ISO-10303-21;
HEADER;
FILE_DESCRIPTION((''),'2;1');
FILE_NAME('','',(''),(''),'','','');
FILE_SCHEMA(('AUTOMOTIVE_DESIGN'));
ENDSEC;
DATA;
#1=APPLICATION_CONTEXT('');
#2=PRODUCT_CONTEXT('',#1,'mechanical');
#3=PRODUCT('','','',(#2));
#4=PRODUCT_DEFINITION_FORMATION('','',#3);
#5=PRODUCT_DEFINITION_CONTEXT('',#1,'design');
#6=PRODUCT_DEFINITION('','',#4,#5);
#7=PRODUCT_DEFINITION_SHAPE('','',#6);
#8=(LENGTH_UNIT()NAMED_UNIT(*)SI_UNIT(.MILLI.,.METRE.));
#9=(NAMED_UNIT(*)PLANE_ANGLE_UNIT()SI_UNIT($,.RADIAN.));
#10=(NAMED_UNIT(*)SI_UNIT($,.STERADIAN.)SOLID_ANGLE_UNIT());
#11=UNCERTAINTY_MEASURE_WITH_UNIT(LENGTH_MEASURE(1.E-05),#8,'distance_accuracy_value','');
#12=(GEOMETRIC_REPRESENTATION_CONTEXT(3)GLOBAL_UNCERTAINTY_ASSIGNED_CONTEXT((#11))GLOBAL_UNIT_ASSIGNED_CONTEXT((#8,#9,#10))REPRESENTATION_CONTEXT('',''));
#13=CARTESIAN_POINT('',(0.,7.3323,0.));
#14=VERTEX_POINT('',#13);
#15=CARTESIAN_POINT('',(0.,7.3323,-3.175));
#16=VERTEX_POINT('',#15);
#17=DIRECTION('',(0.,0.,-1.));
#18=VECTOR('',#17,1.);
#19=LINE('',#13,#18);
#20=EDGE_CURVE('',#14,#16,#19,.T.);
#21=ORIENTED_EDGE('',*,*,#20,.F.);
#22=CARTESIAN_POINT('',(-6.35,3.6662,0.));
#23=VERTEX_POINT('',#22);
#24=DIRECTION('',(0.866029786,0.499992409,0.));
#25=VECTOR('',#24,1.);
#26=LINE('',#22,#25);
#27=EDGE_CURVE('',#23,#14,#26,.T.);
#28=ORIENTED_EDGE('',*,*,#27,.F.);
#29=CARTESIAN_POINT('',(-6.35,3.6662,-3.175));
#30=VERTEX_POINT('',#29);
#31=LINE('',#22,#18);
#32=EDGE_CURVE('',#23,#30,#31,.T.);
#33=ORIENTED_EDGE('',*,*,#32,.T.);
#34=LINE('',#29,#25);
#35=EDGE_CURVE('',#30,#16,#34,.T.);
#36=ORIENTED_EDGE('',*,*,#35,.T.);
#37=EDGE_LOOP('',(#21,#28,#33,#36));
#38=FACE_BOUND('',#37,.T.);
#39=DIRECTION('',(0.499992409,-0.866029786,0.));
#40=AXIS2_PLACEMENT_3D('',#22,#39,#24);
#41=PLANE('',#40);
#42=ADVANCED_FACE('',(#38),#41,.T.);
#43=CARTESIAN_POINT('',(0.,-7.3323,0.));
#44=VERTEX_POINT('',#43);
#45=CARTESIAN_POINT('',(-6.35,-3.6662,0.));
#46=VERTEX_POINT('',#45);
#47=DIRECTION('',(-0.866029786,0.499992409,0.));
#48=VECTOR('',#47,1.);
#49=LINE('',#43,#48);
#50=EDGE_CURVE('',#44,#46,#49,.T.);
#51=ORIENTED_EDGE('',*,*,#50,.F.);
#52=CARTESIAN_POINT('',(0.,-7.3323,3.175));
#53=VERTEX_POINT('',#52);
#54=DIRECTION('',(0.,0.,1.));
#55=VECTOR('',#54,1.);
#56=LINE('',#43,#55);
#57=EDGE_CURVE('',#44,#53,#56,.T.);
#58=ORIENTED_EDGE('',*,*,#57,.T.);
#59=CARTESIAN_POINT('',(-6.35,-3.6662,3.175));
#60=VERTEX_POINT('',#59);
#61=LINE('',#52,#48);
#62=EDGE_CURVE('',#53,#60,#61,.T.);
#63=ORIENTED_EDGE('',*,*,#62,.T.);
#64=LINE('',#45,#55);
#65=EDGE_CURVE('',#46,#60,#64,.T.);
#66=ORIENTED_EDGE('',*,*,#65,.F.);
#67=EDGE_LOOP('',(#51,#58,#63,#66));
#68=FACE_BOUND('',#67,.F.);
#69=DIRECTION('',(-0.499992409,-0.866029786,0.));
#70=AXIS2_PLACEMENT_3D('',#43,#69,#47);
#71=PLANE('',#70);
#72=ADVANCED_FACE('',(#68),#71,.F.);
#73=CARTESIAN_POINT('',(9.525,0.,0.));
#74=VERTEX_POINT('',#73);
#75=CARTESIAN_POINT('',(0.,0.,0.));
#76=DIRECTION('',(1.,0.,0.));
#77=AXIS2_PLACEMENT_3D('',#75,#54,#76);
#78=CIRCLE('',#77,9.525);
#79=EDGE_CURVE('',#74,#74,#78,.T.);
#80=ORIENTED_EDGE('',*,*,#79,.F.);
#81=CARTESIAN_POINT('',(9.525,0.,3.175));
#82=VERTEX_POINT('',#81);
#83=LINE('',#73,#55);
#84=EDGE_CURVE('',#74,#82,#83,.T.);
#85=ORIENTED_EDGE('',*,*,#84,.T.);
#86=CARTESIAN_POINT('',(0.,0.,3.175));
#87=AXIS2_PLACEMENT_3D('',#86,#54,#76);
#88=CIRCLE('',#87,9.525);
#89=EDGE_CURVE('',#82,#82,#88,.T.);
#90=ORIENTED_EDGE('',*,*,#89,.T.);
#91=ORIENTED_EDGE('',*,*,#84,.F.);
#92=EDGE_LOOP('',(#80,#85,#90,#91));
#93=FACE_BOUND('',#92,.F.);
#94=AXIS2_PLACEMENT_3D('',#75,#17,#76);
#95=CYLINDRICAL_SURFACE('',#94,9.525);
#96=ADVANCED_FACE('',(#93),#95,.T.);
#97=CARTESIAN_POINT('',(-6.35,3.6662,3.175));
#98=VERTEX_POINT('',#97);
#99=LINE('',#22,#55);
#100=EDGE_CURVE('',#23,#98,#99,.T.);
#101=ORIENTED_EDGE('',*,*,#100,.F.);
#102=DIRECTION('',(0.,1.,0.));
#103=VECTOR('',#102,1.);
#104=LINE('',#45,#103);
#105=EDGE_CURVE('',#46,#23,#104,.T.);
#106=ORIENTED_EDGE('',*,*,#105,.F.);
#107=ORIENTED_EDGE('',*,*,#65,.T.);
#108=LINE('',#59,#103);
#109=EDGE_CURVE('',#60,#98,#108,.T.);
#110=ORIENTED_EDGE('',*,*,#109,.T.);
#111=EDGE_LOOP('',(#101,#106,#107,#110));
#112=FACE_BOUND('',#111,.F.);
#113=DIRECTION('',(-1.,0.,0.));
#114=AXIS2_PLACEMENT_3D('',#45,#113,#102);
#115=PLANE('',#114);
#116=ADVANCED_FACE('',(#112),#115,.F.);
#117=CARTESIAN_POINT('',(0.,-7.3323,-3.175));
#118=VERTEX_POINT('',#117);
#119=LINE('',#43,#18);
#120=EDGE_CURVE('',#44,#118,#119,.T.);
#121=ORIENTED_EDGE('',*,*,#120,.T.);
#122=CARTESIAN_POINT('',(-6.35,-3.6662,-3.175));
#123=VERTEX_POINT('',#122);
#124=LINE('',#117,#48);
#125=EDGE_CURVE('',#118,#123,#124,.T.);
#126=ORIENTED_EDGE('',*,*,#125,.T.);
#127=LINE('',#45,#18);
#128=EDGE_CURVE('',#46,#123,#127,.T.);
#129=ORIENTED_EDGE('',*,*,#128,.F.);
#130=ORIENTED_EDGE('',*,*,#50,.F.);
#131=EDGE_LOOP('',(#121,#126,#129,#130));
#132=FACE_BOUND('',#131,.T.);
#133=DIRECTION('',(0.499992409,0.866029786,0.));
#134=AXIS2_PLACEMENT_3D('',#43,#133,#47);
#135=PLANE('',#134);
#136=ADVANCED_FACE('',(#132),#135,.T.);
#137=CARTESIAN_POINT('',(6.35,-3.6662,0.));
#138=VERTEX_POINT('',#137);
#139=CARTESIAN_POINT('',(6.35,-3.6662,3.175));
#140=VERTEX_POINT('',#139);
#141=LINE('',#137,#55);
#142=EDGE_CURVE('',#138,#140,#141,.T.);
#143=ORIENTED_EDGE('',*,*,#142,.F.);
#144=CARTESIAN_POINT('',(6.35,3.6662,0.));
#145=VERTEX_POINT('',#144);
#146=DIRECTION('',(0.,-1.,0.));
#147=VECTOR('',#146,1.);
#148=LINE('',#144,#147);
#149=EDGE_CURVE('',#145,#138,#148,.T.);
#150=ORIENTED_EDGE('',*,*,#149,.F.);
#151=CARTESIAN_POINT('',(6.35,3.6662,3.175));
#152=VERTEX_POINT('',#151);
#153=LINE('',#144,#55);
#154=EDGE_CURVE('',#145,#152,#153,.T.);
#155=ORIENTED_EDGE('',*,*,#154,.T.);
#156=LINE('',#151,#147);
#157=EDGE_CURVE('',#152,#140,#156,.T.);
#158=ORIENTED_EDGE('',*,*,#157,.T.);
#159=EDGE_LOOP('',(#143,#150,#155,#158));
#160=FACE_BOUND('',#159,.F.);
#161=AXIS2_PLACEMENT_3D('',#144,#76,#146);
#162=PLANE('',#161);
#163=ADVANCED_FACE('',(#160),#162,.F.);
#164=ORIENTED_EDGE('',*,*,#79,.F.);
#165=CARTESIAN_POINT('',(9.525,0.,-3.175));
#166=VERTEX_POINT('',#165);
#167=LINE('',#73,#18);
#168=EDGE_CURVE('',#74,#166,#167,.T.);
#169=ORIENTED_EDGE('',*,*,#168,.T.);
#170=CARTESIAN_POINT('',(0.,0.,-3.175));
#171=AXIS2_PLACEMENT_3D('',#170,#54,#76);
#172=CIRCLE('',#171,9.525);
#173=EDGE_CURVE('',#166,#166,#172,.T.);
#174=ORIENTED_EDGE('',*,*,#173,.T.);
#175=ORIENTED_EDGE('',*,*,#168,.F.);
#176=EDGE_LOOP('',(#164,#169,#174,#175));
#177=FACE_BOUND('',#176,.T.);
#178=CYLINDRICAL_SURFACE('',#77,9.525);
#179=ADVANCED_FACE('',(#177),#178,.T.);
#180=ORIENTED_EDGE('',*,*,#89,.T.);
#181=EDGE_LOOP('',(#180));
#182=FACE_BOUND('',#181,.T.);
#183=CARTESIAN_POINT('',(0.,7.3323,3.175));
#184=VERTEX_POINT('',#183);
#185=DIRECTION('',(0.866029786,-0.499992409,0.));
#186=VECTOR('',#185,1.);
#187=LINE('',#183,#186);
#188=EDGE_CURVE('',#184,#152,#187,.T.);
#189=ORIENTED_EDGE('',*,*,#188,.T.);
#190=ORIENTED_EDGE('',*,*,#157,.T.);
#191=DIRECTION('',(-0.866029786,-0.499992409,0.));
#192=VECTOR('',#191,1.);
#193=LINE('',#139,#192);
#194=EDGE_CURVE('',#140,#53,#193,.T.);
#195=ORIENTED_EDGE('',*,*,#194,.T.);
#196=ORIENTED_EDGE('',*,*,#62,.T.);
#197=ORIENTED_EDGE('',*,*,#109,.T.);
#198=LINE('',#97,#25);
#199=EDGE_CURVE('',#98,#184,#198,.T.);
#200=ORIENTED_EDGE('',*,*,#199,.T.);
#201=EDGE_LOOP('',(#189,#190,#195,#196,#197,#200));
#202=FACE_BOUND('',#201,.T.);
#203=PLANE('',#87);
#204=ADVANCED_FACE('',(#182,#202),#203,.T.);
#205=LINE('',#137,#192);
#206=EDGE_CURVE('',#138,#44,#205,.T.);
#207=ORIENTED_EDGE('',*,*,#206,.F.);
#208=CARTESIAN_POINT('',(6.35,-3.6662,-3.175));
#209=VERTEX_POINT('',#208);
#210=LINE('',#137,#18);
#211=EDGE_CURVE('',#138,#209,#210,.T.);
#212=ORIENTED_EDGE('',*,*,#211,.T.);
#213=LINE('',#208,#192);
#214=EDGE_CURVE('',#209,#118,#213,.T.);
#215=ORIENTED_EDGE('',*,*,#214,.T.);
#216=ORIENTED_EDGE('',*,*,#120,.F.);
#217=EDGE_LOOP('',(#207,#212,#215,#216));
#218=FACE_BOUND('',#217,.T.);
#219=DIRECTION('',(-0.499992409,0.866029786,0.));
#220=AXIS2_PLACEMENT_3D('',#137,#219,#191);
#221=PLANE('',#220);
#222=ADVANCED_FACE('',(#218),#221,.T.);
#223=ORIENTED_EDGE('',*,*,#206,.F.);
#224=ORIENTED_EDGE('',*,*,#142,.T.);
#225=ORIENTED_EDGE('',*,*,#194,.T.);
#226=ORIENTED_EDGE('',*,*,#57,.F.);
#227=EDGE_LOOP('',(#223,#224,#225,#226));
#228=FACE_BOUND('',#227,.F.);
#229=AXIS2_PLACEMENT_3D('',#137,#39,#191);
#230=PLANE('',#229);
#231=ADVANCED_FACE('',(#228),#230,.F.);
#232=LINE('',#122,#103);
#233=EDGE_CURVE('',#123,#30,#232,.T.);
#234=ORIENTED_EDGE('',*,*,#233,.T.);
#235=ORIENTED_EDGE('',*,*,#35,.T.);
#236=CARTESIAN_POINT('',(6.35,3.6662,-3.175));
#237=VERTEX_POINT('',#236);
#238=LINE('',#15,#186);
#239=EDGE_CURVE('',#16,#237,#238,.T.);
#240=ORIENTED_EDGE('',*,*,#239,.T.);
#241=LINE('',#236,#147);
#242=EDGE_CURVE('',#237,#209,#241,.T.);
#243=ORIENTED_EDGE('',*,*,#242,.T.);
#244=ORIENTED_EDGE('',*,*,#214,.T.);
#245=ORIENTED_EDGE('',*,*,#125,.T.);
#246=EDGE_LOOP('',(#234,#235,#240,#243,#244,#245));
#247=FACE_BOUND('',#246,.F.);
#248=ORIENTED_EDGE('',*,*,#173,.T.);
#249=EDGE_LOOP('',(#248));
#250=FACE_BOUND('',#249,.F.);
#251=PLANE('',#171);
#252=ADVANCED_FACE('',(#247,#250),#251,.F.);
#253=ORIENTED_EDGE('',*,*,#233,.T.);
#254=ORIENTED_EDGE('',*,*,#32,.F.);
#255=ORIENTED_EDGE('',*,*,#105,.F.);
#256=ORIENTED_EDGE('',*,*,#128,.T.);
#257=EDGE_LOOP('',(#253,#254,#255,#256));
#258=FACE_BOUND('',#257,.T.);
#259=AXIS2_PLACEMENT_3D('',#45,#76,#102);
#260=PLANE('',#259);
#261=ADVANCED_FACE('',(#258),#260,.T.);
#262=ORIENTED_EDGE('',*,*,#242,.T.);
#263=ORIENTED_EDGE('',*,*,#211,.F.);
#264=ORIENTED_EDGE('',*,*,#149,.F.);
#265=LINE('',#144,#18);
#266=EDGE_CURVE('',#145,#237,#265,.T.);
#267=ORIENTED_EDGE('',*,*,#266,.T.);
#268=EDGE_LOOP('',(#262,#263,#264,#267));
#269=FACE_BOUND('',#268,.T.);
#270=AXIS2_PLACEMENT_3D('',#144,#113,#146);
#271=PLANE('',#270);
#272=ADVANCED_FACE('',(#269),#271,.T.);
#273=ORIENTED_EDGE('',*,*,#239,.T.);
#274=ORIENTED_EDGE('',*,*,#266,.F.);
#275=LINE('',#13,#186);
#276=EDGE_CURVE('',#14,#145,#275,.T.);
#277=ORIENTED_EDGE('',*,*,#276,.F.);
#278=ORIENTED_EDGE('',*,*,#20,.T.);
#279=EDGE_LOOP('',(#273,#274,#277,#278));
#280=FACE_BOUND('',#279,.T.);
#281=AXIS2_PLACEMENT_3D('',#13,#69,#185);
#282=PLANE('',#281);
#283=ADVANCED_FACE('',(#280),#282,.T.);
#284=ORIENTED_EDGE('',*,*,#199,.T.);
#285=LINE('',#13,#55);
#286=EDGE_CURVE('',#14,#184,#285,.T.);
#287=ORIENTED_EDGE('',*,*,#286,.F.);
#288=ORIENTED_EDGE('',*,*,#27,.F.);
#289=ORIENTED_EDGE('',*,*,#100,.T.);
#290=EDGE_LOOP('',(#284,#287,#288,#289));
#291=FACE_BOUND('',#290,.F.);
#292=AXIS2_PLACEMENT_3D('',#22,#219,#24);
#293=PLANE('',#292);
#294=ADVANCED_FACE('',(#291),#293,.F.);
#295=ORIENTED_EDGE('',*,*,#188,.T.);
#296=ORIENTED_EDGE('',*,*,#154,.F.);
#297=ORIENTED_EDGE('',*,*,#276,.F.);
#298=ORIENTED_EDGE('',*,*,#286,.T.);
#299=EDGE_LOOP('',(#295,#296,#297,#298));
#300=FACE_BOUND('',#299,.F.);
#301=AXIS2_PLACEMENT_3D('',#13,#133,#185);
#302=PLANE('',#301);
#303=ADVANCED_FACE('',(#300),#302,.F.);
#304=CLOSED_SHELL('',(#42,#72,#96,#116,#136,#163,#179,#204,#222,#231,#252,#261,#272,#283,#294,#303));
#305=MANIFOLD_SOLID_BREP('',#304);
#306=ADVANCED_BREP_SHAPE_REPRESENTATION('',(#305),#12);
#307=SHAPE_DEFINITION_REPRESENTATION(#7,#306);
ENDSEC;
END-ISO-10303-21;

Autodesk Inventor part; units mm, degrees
ref_plane "YZ Plane" through (0, 0, 0) normal (1, 0, 0) x (0, 1, 0)
ref_plane "XZ Plane" through (0, 0, 0) normal (0, 1, 0) x (-1, 0, 0)
ref_plane "XY Plane" through (0, 0, 0) normal (0, 0, 1) x (1, 0, 0)
sketch "Sketch1" plane through (0, 0, 0) normal (0, 0, 1) x (1, 0, 0)
  circle A0 centre (0, 0) radius 9.525
  line L0 (0, -7.3323) -> (-6.35, -3.6662)
  line L1 (-6.35, -3.6662) -> (-6.35, 3.6662)
  line L2 (-6.35, 3.6662) -> (0, 7.3323)
  line L3 (0, 7.3323) -> (6.35, 3.6662)
  line L4 (6.35, 3.6662) -> (6.35, -3.6662)
  line L5 (6.35, -3.6662) -> (0, -7.3323)
  dimension "d0" = 19.05
  dimension "d1" = 12.7
extrude "Extrusion1" add sketch "Sketch1" along normal mid plane 6.35
properties part number "500 Hex Spacer 0.25" material "Acetal Resin, Black"
